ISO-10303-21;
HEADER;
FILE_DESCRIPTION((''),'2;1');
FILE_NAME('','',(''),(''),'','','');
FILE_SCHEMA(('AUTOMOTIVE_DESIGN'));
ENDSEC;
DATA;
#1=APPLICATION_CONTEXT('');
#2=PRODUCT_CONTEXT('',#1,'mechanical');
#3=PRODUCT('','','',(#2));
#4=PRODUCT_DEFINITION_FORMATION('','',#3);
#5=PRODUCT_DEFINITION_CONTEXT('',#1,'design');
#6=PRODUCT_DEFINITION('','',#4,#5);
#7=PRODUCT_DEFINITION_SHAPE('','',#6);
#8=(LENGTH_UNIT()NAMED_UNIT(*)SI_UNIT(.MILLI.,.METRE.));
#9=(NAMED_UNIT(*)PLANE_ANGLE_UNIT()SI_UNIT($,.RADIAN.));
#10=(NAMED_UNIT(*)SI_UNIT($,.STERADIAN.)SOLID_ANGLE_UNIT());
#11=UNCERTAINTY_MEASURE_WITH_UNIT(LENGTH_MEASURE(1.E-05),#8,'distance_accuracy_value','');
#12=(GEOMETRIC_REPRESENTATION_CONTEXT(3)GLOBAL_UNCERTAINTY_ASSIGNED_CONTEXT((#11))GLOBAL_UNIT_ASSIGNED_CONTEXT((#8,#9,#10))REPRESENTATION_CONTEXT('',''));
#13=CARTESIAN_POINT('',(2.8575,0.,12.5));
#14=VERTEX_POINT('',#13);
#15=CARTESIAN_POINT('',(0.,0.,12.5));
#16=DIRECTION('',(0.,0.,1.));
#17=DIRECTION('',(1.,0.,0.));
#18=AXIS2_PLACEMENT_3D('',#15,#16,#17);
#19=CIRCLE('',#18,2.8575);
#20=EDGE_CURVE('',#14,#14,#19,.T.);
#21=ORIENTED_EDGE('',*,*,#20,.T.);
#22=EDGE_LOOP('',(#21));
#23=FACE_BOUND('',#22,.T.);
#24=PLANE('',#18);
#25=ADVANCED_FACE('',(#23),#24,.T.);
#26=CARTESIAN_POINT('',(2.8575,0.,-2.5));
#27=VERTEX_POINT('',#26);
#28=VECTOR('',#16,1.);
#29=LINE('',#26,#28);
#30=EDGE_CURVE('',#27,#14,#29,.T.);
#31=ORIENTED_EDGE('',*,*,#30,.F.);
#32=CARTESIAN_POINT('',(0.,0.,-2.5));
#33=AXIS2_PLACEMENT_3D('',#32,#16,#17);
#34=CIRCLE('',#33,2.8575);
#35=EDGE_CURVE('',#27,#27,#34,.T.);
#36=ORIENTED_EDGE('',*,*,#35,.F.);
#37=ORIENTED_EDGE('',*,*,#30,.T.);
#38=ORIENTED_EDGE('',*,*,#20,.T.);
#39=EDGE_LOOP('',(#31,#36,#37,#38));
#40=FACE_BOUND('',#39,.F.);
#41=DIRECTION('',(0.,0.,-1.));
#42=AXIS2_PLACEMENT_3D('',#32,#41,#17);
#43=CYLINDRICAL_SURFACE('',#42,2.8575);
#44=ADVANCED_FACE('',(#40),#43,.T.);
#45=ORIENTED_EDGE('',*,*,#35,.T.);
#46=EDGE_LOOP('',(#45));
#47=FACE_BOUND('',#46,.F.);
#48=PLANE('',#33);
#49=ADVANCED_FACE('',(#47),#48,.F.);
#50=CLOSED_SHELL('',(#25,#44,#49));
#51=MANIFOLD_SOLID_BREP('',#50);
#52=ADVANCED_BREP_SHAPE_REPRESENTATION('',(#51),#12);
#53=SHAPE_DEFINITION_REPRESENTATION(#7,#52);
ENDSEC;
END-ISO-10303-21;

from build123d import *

# Parameters (mm, degrees)
CYLINDER_R     = 2.8575
CYLINDER_DEPTH = 15


with BuildPart() as part:
    # Cylinder → Cylinder (new body)
    with BuildSketch(Plane.XY.offset(-2.5)):
        Circle(CYLINDER_R)
    extrude(amount=CYLINDER_DEPTH)


solid = part.part
